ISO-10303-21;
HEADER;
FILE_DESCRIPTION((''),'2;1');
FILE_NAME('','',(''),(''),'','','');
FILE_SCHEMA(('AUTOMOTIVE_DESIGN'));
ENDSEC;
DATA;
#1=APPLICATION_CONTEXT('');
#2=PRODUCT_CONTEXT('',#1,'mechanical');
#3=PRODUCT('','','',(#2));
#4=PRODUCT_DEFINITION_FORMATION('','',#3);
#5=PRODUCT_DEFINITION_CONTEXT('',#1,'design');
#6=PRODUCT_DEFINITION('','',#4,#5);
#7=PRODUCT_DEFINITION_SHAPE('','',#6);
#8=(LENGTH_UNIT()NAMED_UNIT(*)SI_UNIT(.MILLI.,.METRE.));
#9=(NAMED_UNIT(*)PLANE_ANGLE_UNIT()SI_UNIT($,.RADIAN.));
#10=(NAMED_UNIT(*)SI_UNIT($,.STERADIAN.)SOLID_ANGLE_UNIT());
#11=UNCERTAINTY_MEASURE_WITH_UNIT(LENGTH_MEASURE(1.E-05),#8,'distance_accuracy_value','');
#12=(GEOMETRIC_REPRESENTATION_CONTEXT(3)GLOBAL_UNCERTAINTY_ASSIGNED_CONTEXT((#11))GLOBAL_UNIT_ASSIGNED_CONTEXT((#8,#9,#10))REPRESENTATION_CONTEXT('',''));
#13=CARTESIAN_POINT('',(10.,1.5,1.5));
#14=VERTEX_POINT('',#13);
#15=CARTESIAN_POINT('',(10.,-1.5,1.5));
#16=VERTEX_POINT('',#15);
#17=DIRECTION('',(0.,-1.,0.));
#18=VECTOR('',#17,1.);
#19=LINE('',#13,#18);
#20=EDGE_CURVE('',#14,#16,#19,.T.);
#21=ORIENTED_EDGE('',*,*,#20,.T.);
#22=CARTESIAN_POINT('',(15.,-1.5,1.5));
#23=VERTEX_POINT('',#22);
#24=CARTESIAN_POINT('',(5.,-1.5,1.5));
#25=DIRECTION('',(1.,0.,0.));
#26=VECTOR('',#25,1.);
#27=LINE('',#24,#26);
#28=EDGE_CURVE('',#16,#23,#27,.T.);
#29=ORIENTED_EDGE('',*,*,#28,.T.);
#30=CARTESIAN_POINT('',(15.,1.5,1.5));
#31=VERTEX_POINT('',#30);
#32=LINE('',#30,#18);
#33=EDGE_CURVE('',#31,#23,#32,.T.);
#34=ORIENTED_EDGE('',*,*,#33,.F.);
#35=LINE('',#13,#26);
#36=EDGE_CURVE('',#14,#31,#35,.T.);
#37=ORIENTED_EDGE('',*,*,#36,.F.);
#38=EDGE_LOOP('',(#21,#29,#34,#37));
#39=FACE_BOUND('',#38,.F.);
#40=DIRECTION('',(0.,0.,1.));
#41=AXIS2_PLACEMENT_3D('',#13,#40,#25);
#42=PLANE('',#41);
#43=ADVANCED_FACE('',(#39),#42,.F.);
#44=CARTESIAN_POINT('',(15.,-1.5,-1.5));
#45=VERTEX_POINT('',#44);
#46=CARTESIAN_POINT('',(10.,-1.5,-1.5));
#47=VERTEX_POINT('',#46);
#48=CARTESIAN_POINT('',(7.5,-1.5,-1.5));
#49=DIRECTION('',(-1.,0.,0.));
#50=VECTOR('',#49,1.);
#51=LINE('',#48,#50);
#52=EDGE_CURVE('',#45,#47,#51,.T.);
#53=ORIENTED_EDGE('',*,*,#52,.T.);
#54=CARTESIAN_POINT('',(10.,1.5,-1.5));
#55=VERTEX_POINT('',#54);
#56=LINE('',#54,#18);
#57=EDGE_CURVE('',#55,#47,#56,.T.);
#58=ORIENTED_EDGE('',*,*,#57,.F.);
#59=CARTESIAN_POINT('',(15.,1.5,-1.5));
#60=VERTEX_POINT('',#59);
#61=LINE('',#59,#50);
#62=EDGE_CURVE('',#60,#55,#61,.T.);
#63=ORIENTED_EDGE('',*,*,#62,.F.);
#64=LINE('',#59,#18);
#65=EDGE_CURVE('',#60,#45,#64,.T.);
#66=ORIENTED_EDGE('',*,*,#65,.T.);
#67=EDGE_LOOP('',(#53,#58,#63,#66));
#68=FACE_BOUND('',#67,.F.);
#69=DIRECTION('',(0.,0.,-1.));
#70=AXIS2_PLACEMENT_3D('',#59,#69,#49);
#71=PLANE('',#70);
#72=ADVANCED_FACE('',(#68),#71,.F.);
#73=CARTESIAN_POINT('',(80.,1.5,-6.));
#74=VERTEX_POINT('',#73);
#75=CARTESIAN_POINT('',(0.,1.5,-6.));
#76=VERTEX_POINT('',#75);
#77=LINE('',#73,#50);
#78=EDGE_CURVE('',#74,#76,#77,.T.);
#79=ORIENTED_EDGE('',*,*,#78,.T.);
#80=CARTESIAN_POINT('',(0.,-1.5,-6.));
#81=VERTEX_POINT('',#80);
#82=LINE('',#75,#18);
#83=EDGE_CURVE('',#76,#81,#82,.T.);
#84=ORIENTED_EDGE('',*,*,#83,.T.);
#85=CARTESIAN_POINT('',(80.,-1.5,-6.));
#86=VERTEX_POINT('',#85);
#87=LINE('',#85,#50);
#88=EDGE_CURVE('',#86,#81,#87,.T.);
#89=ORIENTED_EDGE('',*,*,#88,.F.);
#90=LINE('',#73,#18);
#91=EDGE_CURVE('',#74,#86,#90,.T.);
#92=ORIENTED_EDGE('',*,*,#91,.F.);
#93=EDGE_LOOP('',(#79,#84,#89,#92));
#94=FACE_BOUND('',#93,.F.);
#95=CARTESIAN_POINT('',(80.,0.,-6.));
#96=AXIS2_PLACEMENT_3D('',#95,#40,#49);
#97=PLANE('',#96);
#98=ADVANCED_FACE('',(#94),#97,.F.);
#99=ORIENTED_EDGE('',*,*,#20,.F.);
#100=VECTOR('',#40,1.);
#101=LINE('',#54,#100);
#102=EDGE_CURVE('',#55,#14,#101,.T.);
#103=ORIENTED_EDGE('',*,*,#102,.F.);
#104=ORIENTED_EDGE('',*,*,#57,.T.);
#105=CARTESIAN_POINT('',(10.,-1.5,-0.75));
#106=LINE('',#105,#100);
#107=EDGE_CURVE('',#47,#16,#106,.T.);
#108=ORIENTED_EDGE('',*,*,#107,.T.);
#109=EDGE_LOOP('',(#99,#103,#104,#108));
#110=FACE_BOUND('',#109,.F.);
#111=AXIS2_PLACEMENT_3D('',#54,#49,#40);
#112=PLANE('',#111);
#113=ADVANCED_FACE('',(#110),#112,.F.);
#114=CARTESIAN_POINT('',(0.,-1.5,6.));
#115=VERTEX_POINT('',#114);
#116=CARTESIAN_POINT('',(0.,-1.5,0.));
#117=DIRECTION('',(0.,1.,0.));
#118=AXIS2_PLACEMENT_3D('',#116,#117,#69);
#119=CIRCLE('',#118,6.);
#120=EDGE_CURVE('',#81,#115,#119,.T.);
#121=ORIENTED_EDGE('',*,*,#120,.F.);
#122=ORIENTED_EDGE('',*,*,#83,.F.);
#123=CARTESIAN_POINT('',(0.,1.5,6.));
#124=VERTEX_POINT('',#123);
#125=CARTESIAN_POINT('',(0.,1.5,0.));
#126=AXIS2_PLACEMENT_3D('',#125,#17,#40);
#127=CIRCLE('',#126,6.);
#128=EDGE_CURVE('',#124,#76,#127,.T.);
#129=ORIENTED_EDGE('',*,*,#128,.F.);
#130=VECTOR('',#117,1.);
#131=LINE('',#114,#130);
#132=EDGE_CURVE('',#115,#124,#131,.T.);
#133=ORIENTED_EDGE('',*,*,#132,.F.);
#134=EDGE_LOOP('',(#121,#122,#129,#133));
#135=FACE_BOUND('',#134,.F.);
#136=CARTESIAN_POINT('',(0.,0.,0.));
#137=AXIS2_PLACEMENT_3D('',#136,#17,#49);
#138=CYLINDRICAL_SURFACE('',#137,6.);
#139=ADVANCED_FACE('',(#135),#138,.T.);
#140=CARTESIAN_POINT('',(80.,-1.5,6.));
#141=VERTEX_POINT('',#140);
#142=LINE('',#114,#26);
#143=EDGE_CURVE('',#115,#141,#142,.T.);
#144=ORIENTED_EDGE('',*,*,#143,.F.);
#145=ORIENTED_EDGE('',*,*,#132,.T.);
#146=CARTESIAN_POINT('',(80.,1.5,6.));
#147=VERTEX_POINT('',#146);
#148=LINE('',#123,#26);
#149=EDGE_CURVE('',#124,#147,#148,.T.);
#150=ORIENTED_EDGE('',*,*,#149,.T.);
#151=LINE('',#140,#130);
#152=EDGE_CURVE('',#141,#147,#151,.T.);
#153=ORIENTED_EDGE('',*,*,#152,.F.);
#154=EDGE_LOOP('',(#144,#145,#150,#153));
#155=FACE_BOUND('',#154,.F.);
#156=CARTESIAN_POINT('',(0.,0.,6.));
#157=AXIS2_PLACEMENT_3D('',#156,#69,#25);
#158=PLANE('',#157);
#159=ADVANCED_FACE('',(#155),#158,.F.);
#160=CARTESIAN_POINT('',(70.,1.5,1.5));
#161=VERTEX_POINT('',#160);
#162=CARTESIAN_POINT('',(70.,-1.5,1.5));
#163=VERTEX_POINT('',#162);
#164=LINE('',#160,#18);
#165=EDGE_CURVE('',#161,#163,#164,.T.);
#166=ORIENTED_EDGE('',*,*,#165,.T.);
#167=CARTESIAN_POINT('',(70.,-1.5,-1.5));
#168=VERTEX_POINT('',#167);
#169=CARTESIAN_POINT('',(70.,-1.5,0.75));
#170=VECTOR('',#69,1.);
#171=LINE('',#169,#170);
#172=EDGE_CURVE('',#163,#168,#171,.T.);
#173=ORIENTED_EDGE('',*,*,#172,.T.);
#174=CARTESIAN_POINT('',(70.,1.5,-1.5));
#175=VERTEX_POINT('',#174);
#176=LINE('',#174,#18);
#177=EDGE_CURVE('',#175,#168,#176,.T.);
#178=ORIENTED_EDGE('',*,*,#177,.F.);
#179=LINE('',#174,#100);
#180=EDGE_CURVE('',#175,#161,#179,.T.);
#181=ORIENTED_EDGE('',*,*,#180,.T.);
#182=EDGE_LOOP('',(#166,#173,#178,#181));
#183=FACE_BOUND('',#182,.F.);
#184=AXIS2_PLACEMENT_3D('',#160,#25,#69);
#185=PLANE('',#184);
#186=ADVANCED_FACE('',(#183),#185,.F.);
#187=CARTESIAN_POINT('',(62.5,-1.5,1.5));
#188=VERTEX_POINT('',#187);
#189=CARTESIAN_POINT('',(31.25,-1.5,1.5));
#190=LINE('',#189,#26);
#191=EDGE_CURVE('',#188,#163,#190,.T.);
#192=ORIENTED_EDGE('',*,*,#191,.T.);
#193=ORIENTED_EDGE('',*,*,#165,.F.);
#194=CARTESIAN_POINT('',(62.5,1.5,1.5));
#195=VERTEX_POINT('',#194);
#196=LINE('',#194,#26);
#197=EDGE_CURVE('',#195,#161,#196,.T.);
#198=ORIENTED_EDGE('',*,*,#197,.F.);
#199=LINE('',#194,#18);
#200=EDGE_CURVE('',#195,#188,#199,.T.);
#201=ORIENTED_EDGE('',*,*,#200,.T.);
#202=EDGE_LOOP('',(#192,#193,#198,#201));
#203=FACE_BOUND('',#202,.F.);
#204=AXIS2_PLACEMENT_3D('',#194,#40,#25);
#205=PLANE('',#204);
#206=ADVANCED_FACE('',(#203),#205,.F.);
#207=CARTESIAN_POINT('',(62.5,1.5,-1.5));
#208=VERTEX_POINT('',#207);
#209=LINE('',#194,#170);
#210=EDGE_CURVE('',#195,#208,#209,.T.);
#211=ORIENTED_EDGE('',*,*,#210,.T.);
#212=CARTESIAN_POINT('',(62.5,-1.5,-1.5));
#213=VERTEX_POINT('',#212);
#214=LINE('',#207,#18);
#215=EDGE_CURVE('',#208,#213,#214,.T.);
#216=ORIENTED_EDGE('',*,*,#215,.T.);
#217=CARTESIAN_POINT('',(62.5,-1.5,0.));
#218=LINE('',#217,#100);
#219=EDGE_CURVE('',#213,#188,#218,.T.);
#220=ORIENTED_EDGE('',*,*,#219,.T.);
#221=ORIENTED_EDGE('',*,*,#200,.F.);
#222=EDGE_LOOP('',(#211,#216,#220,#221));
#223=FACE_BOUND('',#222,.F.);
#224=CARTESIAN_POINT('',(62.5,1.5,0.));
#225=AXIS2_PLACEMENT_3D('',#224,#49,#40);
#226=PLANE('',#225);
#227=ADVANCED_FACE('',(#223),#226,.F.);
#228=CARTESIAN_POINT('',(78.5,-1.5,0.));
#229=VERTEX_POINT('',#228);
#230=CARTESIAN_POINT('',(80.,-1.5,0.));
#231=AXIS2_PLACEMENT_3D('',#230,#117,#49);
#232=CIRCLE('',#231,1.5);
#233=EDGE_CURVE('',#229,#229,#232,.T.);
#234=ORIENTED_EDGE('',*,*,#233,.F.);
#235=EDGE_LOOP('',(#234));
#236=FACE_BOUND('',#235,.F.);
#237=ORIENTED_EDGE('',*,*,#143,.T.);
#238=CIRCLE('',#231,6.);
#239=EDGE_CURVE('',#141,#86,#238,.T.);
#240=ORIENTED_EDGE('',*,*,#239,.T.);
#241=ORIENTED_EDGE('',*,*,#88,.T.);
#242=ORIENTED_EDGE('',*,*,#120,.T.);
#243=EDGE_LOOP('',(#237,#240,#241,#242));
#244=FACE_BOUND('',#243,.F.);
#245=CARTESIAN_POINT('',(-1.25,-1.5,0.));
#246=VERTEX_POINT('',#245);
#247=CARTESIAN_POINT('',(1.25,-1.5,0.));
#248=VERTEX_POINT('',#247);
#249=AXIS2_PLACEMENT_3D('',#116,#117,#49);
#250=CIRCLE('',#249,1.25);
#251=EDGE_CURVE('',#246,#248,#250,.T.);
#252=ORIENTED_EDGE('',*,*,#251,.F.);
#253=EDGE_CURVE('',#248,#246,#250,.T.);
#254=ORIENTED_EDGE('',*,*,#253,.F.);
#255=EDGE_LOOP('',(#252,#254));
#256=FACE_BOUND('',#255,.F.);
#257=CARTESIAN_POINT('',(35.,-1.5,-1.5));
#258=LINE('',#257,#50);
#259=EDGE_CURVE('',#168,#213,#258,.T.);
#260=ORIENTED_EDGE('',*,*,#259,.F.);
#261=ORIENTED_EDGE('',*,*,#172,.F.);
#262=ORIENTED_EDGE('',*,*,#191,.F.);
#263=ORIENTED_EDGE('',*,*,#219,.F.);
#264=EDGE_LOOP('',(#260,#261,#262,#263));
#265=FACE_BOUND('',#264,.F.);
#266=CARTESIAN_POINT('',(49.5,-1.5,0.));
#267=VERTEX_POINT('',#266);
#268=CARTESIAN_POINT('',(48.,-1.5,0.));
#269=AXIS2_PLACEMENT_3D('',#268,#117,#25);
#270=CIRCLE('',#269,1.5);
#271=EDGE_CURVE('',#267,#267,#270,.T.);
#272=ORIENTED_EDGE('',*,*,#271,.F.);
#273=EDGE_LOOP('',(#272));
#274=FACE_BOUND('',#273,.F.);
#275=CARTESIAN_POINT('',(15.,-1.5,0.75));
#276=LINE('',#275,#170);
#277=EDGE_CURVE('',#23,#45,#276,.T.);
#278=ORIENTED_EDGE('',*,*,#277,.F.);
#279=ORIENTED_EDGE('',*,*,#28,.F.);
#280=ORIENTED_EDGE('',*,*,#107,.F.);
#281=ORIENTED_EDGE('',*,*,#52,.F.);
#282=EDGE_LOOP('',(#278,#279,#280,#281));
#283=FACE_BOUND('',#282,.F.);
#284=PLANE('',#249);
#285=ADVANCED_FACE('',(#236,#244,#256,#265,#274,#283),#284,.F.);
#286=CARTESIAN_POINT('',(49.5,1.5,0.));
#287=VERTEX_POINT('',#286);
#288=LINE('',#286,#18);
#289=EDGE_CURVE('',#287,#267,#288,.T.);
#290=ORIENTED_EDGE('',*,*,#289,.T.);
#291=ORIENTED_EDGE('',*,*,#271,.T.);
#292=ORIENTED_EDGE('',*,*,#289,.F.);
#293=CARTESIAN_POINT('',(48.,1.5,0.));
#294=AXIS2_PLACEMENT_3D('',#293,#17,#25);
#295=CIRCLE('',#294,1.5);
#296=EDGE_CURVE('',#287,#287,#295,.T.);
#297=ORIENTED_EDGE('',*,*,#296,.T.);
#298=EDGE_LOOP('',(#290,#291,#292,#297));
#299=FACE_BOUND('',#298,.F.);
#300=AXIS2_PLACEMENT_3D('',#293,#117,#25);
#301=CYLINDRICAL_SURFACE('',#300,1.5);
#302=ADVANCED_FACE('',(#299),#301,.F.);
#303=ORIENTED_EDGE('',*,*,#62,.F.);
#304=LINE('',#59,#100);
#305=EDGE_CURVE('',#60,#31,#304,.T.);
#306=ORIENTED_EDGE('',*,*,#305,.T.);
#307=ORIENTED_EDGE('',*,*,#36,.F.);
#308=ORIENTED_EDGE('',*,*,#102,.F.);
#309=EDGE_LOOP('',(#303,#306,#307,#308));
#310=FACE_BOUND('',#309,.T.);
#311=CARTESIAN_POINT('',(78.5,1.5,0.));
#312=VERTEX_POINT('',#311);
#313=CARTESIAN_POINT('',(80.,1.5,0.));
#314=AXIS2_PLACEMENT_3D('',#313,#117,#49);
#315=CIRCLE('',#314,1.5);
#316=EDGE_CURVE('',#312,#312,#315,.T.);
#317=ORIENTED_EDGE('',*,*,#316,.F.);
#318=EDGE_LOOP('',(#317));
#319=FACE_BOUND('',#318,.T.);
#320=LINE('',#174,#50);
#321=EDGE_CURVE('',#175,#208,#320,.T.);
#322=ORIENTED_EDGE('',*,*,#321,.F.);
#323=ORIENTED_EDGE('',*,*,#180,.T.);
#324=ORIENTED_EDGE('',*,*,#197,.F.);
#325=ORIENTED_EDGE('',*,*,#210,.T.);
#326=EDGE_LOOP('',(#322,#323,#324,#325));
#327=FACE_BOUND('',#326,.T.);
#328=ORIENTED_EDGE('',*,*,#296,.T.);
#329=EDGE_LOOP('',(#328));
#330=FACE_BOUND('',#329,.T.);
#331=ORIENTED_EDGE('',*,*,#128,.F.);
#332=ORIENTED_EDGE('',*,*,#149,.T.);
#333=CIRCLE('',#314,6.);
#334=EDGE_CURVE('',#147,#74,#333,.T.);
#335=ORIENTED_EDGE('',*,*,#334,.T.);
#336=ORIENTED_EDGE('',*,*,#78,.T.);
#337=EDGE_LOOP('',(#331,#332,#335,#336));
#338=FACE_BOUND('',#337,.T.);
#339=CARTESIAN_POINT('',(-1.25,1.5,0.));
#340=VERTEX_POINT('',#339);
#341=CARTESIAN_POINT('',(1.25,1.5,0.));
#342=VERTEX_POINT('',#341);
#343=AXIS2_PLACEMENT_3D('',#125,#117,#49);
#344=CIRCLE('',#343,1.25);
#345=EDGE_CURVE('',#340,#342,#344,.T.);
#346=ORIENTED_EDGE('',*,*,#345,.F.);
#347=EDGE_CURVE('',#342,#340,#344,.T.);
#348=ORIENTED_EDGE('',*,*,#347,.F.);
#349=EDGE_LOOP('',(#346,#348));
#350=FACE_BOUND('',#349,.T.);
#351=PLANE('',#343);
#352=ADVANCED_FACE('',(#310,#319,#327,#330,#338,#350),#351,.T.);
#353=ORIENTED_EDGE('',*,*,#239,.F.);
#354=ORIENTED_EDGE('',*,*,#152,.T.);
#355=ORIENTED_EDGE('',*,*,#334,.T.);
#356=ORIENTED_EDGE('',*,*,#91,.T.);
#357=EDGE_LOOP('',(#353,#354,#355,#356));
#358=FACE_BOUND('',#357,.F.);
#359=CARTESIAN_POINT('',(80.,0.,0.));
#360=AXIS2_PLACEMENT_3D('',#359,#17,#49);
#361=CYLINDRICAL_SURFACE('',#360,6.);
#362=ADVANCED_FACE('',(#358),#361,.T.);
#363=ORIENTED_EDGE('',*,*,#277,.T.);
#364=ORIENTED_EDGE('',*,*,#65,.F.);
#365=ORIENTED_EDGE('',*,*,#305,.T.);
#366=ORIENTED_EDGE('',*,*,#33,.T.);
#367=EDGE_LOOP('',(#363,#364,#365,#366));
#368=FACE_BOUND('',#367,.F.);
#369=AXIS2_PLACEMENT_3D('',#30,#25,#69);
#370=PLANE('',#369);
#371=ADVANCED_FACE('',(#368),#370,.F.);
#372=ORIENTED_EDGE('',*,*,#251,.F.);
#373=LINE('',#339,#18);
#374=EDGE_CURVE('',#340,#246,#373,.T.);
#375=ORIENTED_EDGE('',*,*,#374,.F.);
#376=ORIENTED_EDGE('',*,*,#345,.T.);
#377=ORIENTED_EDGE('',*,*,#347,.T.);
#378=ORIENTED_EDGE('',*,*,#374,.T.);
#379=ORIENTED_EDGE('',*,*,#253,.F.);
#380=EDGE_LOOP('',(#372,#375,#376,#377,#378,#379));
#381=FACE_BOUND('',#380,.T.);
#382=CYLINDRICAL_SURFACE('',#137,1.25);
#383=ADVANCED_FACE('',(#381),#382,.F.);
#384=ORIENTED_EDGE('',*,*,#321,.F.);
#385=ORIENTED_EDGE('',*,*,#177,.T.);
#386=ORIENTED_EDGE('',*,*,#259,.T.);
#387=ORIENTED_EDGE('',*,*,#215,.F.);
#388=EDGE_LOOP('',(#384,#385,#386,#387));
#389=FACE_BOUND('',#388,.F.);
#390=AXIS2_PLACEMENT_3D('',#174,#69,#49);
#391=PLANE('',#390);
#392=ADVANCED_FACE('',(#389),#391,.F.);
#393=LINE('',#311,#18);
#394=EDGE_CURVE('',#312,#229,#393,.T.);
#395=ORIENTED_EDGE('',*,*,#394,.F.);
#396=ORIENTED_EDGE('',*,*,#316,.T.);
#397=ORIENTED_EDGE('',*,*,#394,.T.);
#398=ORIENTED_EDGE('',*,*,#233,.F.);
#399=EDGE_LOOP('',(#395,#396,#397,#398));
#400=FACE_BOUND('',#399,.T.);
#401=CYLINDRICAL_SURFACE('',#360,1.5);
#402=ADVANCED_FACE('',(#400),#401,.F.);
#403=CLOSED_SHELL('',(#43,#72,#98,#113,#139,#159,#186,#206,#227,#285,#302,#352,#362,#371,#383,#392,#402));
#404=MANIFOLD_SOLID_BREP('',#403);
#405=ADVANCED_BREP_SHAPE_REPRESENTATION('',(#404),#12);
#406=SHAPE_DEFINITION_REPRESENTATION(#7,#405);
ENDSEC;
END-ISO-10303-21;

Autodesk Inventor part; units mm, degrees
ref_plane "YZ Plane" through (0, 0, 0) normal (1, 0, 0) x (0, 1, 0)
ref_plane "XZ Plane" through (0, 0, 0) normal (0, 1, 0) x (-1, 0, 0)
ref_plane "XY Plane" through (0, 0, 0) normal (0, 0, 1) x (1, 0, 0)
sketch "草圖1" plane through (0, 0, 0) normal (0, 1, 0) x (-1, 0, 0)
  circle A0 centre (0, 0) radius 1.25
  line L0 (0, 0) -> (-80, 0)
  circle A1 centre (-80, 0) radius 1.5
  circle A2 centre (-80, 0) radius 6
  circle A3 centre (0, 0) radius 6
  line L1 (0, 6) -> (-80, 6)
  line L2 (-80, -6) -> (0, -6)
  dimension "d0" = 2.5
  dimension "d14" = 80
  dimension "d15" = 3
  dimension "d16" = 12
  dimension "d17" = 12
extrude "擠出1" add sketch "草圖1" along normal mid plane 3
sketch "草圖2" plane through (0, 1.5, 0) normal (0, 1, 0) x (1, 0, 0)
  circle A0 centre (80, 0) radius 1.5 projected
  circle A1 centre (0, 0) radius 1.25 projected
  arc A2 (0, 6) -> (0, -6) centre (0, 0) ccw projected
  line L0 (0, -6) -> (80, -6) projected
  arc A3 (80, -6) -> (80, 6) centre (80, 0) ccw projected
  line L1 (80, 6) -> (0, 6) projected
  line L2 (80, 0) -> (70, 0)
  line L3 (70, 0) -> (70, 1.5)
  line L4 (70, 1.5) -> (62.5, 1.5)
  line L5 (62.5, 1.5) -> (62.5, -1.5)
  line L6 (62.5, -1.5) -> (70, -1.5)
  line L7 (70, -1.5) -> (70, 0)
  line L8 (62.5, 0) -> (48, 0)
  circle A4 centre (48, 0) radius 1.5
  line L9 (48, 0) -> (15, 0)
  line L10 (15, 0) -> (15, 1.5)
  line L11 (15, 1.5) -> (10, 1.5)
  line L12 (10, 1.5) -> (10, -1.5)
  line L13 (10, -1.5) -> (15, -1.5)
  line L14 (15, -1.5) -> (15, 0)
  dimension "d18" = 10
  dimension "d19" = 1.5
  dimension "d20" = 7.5
  dimension "d21" = 3
  dimension "d22" = 14.5
  dimension "d23" = 3
  dimension "d24" = 33
  dimension "d25" = 1.5
  dimension "d26" = 5
  dimension "d27" = 3
extrude "擠出2" cut sketch "草圖2" against normal blind 10 contours L14 L13 L12 L11 L10 | A4 L9 L8 | L8 L9 A4 | L7 L6 L5 L4 L3
properties part number "連接4"
